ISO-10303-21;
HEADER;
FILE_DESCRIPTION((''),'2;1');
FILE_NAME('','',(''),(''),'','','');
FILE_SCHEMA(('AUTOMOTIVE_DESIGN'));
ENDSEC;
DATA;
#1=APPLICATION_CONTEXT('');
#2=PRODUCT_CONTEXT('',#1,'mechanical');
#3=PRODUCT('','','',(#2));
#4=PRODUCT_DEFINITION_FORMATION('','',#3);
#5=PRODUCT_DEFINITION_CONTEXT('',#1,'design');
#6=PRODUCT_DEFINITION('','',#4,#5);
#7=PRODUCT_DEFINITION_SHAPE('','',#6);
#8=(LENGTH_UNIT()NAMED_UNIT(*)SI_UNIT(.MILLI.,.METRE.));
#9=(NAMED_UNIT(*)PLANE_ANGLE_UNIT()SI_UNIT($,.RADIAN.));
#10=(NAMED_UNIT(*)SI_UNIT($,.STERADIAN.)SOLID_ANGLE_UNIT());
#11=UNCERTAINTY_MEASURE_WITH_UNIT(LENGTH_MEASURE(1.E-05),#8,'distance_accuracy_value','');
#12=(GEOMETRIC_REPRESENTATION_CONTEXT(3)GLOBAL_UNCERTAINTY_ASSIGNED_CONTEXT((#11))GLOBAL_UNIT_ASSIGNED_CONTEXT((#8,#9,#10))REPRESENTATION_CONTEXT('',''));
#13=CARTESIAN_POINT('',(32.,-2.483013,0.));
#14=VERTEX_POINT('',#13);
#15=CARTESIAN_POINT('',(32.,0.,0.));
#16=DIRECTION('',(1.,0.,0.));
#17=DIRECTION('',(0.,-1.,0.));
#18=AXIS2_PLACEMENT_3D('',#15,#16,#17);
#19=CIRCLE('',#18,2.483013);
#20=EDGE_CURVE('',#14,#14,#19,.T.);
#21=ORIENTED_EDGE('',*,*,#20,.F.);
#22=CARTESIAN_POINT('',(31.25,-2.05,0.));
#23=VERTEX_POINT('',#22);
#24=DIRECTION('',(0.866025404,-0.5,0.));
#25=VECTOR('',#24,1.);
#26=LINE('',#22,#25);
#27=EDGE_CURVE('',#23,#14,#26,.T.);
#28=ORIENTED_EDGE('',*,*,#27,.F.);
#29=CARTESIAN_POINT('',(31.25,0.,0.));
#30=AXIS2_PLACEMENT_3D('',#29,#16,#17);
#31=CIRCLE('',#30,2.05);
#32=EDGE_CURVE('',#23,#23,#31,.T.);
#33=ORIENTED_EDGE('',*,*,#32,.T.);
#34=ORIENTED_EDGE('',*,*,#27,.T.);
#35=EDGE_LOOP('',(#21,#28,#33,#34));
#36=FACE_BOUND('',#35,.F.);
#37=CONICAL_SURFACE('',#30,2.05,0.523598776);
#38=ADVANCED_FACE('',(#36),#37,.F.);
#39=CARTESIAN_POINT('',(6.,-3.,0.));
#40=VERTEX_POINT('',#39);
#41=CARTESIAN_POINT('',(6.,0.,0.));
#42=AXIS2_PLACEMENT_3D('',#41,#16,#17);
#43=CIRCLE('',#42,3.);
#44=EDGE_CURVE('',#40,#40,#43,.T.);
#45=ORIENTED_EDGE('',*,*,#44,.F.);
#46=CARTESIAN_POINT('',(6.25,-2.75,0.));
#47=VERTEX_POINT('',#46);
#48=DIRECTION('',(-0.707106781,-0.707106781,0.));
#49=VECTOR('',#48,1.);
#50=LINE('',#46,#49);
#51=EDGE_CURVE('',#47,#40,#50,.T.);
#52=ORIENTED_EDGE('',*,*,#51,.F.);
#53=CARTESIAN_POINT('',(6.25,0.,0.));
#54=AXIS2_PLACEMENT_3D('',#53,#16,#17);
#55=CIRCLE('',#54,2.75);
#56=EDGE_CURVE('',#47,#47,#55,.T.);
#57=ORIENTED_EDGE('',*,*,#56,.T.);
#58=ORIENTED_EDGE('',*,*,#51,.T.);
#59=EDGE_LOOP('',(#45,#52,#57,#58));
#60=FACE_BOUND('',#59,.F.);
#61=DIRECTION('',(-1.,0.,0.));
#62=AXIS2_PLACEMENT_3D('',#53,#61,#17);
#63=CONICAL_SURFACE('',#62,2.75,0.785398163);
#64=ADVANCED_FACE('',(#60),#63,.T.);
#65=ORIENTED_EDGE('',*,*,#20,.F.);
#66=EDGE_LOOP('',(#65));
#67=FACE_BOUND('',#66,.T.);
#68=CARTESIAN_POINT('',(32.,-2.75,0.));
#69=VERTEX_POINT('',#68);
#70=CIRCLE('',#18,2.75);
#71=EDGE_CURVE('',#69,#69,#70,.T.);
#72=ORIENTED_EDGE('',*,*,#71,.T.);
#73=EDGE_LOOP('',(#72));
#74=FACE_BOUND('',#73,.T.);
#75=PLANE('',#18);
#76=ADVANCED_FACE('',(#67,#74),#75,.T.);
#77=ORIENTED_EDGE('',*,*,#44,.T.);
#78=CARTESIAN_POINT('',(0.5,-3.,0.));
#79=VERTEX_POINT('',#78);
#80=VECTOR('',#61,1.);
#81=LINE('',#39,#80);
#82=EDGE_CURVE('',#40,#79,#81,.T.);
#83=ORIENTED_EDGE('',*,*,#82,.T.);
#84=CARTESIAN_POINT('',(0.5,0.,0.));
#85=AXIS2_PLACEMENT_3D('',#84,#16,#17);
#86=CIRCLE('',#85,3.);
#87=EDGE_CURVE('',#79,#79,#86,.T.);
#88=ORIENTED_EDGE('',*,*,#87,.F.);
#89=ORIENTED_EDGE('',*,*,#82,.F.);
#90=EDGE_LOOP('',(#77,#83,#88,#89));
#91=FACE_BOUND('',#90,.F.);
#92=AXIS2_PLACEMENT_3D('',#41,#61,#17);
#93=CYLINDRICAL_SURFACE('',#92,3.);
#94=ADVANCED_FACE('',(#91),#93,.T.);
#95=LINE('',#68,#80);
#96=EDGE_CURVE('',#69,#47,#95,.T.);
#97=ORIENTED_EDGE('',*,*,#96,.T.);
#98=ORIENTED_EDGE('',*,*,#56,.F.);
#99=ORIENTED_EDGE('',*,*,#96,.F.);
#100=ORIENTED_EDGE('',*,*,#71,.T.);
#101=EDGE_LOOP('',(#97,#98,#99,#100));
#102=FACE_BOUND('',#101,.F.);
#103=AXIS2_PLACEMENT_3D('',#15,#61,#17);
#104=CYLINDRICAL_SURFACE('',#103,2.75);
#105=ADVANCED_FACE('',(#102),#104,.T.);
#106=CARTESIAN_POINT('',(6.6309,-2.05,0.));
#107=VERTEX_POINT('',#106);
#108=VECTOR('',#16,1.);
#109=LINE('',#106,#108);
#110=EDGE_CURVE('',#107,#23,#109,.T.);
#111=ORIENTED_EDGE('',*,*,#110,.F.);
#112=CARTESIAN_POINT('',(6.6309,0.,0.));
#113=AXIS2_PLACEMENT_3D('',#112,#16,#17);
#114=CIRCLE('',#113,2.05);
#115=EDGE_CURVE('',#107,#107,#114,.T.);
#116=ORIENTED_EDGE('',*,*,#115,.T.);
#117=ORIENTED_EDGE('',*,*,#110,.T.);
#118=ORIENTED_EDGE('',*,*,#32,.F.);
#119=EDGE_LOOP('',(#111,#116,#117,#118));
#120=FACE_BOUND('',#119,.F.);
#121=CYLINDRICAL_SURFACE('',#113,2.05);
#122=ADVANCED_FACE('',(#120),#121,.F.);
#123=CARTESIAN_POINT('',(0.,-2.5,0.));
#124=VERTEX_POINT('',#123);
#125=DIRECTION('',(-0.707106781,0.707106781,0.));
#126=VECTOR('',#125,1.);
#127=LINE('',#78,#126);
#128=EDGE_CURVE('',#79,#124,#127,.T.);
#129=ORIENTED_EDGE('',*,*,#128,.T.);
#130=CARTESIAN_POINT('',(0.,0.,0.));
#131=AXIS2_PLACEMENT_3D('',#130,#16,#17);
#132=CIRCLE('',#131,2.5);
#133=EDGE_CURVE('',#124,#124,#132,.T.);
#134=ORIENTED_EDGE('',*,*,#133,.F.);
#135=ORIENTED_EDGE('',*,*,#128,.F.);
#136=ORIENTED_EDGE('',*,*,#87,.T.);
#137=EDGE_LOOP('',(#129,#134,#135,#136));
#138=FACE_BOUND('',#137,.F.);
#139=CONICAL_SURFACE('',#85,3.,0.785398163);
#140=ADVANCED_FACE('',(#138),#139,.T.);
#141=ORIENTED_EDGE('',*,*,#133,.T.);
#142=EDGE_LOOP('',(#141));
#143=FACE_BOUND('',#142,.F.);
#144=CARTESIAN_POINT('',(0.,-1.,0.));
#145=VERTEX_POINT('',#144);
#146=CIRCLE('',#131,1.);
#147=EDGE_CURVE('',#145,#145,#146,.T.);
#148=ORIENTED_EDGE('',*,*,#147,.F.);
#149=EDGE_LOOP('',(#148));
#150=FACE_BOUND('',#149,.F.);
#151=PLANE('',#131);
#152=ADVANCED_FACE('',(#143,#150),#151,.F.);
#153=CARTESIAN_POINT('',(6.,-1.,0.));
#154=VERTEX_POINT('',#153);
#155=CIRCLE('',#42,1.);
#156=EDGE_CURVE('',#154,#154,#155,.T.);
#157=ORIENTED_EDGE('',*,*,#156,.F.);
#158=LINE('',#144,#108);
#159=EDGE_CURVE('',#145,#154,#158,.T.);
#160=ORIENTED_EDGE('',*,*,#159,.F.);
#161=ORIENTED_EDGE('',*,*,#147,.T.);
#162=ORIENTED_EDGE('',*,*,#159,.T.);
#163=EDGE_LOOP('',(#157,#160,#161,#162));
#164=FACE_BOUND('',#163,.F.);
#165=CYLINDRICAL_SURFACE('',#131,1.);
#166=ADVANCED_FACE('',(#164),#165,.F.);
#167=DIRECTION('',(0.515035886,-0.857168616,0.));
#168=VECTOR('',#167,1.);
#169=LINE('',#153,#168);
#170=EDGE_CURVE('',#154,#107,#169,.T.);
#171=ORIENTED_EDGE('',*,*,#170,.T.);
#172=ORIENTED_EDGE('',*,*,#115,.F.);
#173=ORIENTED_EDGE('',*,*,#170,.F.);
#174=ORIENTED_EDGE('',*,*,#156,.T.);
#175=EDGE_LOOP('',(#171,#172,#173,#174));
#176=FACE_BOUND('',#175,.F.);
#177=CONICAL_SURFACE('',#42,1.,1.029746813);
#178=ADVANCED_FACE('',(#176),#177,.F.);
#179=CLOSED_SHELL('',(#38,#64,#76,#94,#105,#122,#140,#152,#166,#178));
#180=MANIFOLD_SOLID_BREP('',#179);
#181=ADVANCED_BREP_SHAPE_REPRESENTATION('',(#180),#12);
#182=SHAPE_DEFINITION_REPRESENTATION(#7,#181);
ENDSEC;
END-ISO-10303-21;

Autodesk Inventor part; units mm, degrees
ref_plane "YZ Plane" through (0, 0, 0) normal (1, 0, 0) x (0, 1, 0)
ref_plane "XZ Plane" through (0, 0, 0) normal (0, 1, 0) x (-1, 0, 0)
ref_plane "XY Plane" through (0, 0, 0) normal (0, 0, 1) x (1, 0, 0)
sketch "Náčrt1" plane through (0, 0, 0) normal (0, 0, 1) x (1, 0, 0)
  line L0 (0, -3.6) -> (0, 0.6) projected
  line L1 (-6.4, 0) -> (38.4, 0) projected
  line L2 (0, -1) -> (6, -1)
  line L3 (32, -2.75) -> (6.25, -2.75)
  line L4 (6.25, -2.75) -> (6, -3)
  line L5 (6, -3) -> (0.5, -3)
  line L6 (0.5, -3) -> (0, -2.5)
  line L7 (0, -2.5) -> (0, -1)
  line L8 (32, -2.75) -> (32, -2.05)
  line L9 (6, -1) -> (6.6309, -2.05)
  line L10 (6.6309, -2.05) -> (32, -2.05)
  point P0 (0, 0)
  dimension "d0" = 2
  dimension "d1" = 5.5
  dimension "d3" = 6
  dimension "d4" = 45
  dimension "d5" = 6
  dimension "d6" = 0.5
  dimension "d7" = 90
  dimension "d16" = 4.1
  dimension "d17" = 59
  dimension "d18" = 26
  dimension "d19" = 6
revolve "Rotace1" add sketch "Náčrt1" angle 360 about axis through (-10, 0, 0) along (1, 0, 0)
thread "Závit1" size "M6x1" class "6g" standard "ANSI Metric M Profile" full length
chamfer "Zkosení1" distance 0.75 angle 30 1 edges at (32, 2.05, 0) measured on face at (15.0873, -2.0235, 0.3288)
